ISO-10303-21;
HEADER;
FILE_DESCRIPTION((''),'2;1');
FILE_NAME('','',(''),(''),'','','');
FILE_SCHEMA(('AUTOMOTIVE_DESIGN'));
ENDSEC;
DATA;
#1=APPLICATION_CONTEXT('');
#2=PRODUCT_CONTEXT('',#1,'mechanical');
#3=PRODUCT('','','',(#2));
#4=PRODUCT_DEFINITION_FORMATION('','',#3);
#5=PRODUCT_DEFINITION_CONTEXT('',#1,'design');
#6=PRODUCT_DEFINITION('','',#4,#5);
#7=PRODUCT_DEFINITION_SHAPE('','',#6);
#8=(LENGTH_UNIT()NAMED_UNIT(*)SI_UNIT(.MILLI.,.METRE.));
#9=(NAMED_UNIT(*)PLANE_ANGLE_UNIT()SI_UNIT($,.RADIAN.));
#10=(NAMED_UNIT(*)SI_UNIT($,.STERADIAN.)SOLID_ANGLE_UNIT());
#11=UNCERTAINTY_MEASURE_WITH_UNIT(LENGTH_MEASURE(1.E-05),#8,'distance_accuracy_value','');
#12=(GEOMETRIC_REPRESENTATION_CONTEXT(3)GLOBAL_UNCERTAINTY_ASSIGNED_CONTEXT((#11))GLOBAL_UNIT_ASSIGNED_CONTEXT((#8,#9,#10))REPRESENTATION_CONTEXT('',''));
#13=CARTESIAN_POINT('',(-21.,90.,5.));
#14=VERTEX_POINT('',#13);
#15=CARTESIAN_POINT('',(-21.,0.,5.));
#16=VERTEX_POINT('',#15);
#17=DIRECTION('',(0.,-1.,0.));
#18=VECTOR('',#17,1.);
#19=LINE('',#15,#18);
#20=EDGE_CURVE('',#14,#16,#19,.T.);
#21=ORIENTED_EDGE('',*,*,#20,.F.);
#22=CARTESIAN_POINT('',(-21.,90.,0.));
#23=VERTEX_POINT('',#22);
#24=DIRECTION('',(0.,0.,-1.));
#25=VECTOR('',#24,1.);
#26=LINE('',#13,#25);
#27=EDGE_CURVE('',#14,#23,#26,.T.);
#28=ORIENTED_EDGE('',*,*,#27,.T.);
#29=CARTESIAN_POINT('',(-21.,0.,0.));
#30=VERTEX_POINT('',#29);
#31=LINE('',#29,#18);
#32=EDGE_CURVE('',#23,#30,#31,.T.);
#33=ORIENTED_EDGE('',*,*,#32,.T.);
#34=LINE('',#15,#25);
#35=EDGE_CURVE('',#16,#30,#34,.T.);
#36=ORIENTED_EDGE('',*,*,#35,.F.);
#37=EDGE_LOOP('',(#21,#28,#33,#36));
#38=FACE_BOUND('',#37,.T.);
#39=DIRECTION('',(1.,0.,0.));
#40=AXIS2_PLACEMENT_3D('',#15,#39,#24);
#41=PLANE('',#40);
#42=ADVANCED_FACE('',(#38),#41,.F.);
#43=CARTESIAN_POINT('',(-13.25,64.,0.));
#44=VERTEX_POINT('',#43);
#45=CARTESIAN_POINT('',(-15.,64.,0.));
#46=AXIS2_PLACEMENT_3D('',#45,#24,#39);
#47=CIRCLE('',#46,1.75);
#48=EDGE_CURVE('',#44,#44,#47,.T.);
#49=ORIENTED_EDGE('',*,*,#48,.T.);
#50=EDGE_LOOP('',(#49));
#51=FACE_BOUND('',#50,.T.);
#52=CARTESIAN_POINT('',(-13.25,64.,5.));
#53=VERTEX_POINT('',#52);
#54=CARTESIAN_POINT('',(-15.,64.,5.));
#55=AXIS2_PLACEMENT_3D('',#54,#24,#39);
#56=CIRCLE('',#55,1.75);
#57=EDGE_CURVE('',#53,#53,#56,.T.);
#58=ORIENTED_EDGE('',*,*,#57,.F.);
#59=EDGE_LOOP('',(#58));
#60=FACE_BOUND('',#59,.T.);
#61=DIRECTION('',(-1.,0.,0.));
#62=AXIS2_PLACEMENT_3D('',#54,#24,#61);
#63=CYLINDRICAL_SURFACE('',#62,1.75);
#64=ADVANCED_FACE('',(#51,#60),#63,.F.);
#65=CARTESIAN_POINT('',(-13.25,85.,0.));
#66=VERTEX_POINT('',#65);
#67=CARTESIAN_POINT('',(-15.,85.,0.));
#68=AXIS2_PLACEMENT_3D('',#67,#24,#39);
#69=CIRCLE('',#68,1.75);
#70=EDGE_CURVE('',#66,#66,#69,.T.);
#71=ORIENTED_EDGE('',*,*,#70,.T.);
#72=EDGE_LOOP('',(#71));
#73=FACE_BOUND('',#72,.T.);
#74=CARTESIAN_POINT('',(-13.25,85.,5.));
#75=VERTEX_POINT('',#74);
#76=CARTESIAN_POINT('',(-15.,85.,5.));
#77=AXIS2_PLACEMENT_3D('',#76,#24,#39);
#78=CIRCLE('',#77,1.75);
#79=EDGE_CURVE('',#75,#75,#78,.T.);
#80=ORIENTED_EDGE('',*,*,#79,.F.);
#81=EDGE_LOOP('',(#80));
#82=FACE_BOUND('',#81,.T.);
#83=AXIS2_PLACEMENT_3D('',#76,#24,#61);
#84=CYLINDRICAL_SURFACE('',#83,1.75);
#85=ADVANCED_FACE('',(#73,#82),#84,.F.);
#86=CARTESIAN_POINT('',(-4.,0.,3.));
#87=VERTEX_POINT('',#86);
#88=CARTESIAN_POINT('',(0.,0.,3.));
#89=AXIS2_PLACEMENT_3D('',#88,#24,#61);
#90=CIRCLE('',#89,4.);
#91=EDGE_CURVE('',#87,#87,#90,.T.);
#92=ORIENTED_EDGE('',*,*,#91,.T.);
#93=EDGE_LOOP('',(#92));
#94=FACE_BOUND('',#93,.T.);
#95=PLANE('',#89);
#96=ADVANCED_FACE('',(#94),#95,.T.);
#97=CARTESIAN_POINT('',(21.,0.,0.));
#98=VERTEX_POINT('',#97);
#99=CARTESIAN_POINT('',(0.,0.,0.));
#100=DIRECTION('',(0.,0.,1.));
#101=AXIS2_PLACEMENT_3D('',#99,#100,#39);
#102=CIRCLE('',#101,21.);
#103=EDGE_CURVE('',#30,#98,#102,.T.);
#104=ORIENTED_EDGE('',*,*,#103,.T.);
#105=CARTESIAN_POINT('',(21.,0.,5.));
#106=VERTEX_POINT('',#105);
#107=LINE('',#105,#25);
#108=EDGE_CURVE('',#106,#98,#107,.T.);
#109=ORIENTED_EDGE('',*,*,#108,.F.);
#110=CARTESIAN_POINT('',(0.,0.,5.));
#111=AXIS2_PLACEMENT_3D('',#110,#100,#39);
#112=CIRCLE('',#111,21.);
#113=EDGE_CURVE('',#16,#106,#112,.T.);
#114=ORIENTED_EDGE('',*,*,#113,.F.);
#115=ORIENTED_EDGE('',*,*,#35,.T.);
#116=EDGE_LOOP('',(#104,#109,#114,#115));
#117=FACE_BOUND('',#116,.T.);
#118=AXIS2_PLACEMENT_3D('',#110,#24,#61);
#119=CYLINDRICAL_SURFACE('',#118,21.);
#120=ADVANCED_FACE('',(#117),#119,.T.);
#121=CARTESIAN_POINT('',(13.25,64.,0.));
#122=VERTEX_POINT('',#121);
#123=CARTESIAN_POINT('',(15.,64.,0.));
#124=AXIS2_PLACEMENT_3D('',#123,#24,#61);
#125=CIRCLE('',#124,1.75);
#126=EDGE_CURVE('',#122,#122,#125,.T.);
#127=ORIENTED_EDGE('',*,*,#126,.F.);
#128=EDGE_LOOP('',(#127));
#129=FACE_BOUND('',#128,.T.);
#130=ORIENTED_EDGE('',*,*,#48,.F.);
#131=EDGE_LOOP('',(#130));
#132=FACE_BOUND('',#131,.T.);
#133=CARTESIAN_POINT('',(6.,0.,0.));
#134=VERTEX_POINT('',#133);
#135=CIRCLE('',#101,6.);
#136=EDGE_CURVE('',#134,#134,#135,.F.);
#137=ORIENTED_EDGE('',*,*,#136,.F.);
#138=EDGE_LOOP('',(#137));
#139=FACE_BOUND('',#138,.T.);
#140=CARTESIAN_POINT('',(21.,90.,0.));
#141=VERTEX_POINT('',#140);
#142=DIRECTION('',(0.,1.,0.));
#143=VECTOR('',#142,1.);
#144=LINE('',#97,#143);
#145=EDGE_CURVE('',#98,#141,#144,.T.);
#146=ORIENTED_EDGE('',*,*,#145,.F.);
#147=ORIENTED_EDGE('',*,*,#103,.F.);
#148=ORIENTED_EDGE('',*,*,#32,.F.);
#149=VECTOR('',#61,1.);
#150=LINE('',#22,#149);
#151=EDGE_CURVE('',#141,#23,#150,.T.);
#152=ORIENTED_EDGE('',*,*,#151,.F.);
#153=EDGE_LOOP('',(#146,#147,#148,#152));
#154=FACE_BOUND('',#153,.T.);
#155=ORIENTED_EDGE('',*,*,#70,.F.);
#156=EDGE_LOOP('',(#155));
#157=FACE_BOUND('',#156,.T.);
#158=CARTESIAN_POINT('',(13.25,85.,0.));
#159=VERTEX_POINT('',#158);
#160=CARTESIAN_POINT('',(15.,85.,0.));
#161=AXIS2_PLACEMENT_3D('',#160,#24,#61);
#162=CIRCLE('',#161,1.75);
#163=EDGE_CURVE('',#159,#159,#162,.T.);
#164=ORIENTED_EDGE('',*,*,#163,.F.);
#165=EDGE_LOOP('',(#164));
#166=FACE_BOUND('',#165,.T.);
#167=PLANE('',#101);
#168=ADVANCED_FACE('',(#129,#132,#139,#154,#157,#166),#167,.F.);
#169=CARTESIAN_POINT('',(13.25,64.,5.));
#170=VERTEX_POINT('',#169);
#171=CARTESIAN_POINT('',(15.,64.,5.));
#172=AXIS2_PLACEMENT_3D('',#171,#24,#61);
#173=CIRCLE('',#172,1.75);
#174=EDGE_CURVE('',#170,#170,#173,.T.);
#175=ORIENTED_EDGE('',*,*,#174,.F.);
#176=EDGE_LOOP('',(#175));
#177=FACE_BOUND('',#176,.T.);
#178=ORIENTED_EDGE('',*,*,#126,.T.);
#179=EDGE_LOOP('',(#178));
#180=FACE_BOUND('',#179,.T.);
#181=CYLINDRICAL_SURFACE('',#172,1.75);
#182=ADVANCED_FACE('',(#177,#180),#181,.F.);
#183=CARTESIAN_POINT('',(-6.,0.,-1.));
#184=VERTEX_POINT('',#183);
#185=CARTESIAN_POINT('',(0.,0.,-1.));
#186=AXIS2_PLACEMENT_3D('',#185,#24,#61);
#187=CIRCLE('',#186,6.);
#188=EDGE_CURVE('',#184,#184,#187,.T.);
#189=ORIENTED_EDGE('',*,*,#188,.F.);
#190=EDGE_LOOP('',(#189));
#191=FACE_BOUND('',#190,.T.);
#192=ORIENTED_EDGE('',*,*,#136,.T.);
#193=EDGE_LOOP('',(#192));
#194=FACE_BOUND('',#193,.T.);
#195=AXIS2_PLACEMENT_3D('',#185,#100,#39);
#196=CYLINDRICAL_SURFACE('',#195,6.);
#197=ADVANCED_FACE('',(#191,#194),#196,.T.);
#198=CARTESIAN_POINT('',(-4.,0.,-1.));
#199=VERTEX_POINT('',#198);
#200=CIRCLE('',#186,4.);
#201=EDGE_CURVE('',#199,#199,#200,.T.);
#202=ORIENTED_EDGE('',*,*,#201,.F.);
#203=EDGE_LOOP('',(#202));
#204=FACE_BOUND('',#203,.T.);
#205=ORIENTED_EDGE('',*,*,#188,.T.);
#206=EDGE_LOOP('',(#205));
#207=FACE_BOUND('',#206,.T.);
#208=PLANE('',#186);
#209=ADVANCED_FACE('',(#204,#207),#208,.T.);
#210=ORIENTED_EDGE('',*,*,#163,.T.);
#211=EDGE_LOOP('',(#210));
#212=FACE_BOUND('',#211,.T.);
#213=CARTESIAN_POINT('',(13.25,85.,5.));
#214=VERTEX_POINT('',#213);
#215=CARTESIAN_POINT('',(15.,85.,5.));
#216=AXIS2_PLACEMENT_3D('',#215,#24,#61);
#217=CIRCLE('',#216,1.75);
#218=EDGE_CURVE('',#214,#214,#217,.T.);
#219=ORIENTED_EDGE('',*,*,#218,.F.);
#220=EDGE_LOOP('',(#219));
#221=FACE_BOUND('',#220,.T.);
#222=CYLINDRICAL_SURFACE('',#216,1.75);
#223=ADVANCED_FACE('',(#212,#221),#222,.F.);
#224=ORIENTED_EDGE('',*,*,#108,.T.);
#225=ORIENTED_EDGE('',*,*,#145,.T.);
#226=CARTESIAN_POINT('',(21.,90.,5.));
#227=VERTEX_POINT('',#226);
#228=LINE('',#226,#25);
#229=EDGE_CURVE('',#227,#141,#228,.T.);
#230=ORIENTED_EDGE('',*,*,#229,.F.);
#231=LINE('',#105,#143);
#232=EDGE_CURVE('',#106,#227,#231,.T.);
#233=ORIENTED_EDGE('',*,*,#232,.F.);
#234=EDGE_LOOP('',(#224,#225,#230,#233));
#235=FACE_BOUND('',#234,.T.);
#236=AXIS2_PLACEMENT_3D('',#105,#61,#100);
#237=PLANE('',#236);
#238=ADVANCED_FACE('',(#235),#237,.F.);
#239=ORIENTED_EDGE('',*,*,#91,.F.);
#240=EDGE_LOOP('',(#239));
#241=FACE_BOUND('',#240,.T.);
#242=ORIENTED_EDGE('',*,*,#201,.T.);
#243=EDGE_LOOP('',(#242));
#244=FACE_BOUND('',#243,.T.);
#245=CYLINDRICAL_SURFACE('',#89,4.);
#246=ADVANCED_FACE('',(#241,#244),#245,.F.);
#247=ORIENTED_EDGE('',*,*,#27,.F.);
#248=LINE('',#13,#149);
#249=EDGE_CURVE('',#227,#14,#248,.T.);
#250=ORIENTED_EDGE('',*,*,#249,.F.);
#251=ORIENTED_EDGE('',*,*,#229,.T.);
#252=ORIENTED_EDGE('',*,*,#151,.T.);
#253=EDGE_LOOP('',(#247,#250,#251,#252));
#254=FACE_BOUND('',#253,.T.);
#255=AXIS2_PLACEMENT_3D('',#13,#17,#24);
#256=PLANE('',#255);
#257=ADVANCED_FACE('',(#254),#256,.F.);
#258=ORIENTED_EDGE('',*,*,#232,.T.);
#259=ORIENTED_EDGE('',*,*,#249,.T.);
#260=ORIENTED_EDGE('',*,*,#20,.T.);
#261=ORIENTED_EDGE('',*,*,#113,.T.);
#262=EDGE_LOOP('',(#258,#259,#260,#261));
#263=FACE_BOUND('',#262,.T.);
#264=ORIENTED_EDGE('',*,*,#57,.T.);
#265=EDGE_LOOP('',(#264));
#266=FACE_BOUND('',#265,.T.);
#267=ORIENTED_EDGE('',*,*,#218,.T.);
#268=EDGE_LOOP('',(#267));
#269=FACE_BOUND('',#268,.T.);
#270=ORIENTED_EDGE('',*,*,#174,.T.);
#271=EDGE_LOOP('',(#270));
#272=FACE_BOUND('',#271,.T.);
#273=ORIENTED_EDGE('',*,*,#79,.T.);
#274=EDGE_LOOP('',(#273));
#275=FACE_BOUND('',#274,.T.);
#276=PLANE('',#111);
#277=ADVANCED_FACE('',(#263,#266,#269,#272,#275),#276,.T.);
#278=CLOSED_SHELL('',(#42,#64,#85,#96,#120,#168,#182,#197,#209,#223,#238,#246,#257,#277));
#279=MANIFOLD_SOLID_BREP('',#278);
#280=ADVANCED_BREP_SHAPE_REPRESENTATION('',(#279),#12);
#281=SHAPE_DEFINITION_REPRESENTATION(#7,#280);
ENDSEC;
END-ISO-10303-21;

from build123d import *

# Parameters (mm, degrees)
BOSS_EXTRUDE1_DEPTH = 5
SKETCH2_R           = 1.75
CUT_EXTRUDE1_DEPTH  = 93.552687697
SKETCH3_R           = 4
CUT_EXTRUDE2_DEPTH  = 3
BOSS_EXTRUDE2_START = 1
SKETCH4_R           = 6
SKETCH4_R_2         = 4
BOSS_EXTRUDE2_DEPTH = 1


with BuildPart() as part:
    # Sketch1 → Boss-Extrude1 (new body)
    with BuildSketch(Plane.XY):
        with BuildLine():
            Line((-21, 0), (-21, 90))
            Line((-21, 90), (21, 90))
            Line((21, 90), (21, 0))
            ThreePointArc((21, 0), (0, -21), (-21, 0))
        make_face()
    extrude(amount=BOSS_EXTRUDE1_DEPTH)

    # Sketch2 → Cut-Extrude1 (cut, through all)
    with BuildSketch(Plane(origin=(0, 0, 0), x_dir=(-1, 0, 0), z_dir=(0, 0, -1))):
        with Locations((-15, 85)):
            Circle(SKETCH2_R)
        with Locations((-15, 64)):
            Circle(SKETCH2_R)
        with Locations(Location((15, 64, 0), (0, 0, 180))):
            Circle(SKETCH2_R)
        with Locations(Location((15, 85, 0), (0, 0, 180))):
            Circle(SKETCH2_R)
    extrude(amount=-CUT_EXTRUDE1_DEPTH, mode=Mode.SUBTRACT)

    # Sketch3 → Cut-Extrude2 (cut)
    with BuildSketch(Plane(origin=(0, 0, 0), x_dir=(-1, 0, 0), z_dir=(0, 0, -1))):
        Circle(SKETCH3_R)
    extrude(amount=-CUT_EXTRUDE2_DEPTH, mode=Mode.SUBTRACT)

    # Sketch4 → Boss-Extrude2 (add)
    with BuildSketch(Plane(origin=(0, 0, 0), x_dir=(-1, 0, 0), z_dir=(0, 0, -1)).offset(BOSS_EXTRUDE2_START)):
        with Locations(Location((0, 0, 0), (0, 0, 180))):
            Circle(SKETCH4_R)
        Circle(SKETCH4_R_2, mode=Mode.SUBTRACT)
    extrude(amount=-BOSS_EXTRUDE2_DEPTH)


solid = part.part
